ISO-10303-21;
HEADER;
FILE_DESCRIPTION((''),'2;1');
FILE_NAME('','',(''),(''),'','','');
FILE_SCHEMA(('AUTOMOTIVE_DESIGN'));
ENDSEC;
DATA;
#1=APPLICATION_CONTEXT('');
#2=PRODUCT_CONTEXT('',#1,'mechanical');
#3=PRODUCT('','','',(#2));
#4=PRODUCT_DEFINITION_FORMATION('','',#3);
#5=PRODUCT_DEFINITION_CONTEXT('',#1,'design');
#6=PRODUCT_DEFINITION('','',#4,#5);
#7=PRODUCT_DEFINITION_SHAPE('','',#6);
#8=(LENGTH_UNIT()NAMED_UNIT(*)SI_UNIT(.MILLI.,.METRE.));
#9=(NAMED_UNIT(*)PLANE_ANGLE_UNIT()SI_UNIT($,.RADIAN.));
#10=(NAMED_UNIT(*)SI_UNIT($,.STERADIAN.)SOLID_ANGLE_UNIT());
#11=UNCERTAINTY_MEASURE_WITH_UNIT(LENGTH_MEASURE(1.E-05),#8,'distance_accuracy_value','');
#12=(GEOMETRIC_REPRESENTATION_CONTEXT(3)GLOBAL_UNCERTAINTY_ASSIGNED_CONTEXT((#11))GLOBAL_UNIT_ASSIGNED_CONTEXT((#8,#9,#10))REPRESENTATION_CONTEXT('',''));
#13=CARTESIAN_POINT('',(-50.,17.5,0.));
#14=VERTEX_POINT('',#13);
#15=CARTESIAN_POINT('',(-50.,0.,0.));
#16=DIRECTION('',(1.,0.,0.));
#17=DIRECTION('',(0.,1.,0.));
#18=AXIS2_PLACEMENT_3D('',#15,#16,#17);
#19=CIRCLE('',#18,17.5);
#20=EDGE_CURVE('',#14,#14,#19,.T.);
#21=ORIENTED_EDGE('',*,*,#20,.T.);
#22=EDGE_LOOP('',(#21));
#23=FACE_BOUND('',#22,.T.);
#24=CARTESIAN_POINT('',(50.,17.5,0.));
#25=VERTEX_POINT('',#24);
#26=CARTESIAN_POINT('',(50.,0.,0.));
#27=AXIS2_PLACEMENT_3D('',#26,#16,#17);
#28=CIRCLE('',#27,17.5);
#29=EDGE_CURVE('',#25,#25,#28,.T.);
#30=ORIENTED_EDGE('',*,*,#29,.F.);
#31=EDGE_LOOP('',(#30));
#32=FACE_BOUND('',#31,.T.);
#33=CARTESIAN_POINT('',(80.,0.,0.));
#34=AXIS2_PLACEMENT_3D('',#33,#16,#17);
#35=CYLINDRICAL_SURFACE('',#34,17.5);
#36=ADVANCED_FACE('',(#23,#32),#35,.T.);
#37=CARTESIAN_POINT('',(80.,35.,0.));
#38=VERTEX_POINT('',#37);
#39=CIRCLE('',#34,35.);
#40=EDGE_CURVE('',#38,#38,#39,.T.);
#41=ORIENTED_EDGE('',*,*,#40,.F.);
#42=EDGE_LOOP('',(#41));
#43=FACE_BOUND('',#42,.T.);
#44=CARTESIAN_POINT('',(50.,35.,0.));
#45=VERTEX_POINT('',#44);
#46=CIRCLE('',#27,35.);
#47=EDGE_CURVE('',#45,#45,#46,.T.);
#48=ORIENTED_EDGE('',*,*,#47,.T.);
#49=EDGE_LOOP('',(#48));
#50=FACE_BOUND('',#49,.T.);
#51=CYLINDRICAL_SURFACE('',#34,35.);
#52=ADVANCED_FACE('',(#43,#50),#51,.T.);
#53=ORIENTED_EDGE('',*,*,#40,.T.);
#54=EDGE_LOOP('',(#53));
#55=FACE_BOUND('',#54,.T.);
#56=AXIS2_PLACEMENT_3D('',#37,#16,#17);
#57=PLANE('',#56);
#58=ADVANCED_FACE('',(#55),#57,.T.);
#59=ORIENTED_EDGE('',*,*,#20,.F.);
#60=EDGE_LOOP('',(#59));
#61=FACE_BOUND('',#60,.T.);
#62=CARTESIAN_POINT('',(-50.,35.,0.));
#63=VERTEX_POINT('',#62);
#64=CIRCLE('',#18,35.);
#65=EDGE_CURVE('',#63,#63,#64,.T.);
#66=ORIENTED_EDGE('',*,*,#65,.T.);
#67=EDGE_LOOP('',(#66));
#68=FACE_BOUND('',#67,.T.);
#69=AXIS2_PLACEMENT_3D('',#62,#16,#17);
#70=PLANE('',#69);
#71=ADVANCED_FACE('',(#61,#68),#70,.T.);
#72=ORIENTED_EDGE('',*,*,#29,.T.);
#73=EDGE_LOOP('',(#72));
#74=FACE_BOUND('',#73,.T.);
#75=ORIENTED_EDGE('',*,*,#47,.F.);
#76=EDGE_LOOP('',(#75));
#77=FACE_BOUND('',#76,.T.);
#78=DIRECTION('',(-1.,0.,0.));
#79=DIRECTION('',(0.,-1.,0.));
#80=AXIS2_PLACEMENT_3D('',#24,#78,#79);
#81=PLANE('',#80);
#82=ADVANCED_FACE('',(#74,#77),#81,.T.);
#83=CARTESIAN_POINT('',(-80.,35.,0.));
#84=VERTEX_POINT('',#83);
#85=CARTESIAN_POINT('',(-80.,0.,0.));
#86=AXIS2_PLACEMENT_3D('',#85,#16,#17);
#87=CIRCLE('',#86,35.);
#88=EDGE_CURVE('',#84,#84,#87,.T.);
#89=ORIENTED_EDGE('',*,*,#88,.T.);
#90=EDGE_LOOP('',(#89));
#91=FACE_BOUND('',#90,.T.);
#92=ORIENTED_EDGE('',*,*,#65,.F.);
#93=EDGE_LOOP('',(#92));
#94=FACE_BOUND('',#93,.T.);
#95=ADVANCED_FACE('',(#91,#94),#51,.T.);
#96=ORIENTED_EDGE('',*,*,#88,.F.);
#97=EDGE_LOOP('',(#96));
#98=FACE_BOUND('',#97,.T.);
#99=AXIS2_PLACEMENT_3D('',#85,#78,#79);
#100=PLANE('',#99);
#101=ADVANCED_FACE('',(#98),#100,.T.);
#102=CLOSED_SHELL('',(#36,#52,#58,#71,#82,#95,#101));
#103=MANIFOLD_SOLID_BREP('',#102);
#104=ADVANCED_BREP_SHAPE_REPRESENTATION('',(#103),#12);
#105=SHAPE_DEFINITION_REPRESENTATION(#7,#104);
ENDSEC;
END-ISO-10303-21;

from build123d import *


with BuildPart() as part:
    # Sketch1 → Revolve1 (revolve)
    with BuildSketch(Plane.XY):
        Polygon((-80, 0), (-80, 35), (-50, 35), (-50, 17.5), (50, 17.5), (50, 35), (80, 35), (80, 0), align=None)
    revolve(axis=Axis((80, 0, 0), (-1, 0, 0)))


solid = part.part
